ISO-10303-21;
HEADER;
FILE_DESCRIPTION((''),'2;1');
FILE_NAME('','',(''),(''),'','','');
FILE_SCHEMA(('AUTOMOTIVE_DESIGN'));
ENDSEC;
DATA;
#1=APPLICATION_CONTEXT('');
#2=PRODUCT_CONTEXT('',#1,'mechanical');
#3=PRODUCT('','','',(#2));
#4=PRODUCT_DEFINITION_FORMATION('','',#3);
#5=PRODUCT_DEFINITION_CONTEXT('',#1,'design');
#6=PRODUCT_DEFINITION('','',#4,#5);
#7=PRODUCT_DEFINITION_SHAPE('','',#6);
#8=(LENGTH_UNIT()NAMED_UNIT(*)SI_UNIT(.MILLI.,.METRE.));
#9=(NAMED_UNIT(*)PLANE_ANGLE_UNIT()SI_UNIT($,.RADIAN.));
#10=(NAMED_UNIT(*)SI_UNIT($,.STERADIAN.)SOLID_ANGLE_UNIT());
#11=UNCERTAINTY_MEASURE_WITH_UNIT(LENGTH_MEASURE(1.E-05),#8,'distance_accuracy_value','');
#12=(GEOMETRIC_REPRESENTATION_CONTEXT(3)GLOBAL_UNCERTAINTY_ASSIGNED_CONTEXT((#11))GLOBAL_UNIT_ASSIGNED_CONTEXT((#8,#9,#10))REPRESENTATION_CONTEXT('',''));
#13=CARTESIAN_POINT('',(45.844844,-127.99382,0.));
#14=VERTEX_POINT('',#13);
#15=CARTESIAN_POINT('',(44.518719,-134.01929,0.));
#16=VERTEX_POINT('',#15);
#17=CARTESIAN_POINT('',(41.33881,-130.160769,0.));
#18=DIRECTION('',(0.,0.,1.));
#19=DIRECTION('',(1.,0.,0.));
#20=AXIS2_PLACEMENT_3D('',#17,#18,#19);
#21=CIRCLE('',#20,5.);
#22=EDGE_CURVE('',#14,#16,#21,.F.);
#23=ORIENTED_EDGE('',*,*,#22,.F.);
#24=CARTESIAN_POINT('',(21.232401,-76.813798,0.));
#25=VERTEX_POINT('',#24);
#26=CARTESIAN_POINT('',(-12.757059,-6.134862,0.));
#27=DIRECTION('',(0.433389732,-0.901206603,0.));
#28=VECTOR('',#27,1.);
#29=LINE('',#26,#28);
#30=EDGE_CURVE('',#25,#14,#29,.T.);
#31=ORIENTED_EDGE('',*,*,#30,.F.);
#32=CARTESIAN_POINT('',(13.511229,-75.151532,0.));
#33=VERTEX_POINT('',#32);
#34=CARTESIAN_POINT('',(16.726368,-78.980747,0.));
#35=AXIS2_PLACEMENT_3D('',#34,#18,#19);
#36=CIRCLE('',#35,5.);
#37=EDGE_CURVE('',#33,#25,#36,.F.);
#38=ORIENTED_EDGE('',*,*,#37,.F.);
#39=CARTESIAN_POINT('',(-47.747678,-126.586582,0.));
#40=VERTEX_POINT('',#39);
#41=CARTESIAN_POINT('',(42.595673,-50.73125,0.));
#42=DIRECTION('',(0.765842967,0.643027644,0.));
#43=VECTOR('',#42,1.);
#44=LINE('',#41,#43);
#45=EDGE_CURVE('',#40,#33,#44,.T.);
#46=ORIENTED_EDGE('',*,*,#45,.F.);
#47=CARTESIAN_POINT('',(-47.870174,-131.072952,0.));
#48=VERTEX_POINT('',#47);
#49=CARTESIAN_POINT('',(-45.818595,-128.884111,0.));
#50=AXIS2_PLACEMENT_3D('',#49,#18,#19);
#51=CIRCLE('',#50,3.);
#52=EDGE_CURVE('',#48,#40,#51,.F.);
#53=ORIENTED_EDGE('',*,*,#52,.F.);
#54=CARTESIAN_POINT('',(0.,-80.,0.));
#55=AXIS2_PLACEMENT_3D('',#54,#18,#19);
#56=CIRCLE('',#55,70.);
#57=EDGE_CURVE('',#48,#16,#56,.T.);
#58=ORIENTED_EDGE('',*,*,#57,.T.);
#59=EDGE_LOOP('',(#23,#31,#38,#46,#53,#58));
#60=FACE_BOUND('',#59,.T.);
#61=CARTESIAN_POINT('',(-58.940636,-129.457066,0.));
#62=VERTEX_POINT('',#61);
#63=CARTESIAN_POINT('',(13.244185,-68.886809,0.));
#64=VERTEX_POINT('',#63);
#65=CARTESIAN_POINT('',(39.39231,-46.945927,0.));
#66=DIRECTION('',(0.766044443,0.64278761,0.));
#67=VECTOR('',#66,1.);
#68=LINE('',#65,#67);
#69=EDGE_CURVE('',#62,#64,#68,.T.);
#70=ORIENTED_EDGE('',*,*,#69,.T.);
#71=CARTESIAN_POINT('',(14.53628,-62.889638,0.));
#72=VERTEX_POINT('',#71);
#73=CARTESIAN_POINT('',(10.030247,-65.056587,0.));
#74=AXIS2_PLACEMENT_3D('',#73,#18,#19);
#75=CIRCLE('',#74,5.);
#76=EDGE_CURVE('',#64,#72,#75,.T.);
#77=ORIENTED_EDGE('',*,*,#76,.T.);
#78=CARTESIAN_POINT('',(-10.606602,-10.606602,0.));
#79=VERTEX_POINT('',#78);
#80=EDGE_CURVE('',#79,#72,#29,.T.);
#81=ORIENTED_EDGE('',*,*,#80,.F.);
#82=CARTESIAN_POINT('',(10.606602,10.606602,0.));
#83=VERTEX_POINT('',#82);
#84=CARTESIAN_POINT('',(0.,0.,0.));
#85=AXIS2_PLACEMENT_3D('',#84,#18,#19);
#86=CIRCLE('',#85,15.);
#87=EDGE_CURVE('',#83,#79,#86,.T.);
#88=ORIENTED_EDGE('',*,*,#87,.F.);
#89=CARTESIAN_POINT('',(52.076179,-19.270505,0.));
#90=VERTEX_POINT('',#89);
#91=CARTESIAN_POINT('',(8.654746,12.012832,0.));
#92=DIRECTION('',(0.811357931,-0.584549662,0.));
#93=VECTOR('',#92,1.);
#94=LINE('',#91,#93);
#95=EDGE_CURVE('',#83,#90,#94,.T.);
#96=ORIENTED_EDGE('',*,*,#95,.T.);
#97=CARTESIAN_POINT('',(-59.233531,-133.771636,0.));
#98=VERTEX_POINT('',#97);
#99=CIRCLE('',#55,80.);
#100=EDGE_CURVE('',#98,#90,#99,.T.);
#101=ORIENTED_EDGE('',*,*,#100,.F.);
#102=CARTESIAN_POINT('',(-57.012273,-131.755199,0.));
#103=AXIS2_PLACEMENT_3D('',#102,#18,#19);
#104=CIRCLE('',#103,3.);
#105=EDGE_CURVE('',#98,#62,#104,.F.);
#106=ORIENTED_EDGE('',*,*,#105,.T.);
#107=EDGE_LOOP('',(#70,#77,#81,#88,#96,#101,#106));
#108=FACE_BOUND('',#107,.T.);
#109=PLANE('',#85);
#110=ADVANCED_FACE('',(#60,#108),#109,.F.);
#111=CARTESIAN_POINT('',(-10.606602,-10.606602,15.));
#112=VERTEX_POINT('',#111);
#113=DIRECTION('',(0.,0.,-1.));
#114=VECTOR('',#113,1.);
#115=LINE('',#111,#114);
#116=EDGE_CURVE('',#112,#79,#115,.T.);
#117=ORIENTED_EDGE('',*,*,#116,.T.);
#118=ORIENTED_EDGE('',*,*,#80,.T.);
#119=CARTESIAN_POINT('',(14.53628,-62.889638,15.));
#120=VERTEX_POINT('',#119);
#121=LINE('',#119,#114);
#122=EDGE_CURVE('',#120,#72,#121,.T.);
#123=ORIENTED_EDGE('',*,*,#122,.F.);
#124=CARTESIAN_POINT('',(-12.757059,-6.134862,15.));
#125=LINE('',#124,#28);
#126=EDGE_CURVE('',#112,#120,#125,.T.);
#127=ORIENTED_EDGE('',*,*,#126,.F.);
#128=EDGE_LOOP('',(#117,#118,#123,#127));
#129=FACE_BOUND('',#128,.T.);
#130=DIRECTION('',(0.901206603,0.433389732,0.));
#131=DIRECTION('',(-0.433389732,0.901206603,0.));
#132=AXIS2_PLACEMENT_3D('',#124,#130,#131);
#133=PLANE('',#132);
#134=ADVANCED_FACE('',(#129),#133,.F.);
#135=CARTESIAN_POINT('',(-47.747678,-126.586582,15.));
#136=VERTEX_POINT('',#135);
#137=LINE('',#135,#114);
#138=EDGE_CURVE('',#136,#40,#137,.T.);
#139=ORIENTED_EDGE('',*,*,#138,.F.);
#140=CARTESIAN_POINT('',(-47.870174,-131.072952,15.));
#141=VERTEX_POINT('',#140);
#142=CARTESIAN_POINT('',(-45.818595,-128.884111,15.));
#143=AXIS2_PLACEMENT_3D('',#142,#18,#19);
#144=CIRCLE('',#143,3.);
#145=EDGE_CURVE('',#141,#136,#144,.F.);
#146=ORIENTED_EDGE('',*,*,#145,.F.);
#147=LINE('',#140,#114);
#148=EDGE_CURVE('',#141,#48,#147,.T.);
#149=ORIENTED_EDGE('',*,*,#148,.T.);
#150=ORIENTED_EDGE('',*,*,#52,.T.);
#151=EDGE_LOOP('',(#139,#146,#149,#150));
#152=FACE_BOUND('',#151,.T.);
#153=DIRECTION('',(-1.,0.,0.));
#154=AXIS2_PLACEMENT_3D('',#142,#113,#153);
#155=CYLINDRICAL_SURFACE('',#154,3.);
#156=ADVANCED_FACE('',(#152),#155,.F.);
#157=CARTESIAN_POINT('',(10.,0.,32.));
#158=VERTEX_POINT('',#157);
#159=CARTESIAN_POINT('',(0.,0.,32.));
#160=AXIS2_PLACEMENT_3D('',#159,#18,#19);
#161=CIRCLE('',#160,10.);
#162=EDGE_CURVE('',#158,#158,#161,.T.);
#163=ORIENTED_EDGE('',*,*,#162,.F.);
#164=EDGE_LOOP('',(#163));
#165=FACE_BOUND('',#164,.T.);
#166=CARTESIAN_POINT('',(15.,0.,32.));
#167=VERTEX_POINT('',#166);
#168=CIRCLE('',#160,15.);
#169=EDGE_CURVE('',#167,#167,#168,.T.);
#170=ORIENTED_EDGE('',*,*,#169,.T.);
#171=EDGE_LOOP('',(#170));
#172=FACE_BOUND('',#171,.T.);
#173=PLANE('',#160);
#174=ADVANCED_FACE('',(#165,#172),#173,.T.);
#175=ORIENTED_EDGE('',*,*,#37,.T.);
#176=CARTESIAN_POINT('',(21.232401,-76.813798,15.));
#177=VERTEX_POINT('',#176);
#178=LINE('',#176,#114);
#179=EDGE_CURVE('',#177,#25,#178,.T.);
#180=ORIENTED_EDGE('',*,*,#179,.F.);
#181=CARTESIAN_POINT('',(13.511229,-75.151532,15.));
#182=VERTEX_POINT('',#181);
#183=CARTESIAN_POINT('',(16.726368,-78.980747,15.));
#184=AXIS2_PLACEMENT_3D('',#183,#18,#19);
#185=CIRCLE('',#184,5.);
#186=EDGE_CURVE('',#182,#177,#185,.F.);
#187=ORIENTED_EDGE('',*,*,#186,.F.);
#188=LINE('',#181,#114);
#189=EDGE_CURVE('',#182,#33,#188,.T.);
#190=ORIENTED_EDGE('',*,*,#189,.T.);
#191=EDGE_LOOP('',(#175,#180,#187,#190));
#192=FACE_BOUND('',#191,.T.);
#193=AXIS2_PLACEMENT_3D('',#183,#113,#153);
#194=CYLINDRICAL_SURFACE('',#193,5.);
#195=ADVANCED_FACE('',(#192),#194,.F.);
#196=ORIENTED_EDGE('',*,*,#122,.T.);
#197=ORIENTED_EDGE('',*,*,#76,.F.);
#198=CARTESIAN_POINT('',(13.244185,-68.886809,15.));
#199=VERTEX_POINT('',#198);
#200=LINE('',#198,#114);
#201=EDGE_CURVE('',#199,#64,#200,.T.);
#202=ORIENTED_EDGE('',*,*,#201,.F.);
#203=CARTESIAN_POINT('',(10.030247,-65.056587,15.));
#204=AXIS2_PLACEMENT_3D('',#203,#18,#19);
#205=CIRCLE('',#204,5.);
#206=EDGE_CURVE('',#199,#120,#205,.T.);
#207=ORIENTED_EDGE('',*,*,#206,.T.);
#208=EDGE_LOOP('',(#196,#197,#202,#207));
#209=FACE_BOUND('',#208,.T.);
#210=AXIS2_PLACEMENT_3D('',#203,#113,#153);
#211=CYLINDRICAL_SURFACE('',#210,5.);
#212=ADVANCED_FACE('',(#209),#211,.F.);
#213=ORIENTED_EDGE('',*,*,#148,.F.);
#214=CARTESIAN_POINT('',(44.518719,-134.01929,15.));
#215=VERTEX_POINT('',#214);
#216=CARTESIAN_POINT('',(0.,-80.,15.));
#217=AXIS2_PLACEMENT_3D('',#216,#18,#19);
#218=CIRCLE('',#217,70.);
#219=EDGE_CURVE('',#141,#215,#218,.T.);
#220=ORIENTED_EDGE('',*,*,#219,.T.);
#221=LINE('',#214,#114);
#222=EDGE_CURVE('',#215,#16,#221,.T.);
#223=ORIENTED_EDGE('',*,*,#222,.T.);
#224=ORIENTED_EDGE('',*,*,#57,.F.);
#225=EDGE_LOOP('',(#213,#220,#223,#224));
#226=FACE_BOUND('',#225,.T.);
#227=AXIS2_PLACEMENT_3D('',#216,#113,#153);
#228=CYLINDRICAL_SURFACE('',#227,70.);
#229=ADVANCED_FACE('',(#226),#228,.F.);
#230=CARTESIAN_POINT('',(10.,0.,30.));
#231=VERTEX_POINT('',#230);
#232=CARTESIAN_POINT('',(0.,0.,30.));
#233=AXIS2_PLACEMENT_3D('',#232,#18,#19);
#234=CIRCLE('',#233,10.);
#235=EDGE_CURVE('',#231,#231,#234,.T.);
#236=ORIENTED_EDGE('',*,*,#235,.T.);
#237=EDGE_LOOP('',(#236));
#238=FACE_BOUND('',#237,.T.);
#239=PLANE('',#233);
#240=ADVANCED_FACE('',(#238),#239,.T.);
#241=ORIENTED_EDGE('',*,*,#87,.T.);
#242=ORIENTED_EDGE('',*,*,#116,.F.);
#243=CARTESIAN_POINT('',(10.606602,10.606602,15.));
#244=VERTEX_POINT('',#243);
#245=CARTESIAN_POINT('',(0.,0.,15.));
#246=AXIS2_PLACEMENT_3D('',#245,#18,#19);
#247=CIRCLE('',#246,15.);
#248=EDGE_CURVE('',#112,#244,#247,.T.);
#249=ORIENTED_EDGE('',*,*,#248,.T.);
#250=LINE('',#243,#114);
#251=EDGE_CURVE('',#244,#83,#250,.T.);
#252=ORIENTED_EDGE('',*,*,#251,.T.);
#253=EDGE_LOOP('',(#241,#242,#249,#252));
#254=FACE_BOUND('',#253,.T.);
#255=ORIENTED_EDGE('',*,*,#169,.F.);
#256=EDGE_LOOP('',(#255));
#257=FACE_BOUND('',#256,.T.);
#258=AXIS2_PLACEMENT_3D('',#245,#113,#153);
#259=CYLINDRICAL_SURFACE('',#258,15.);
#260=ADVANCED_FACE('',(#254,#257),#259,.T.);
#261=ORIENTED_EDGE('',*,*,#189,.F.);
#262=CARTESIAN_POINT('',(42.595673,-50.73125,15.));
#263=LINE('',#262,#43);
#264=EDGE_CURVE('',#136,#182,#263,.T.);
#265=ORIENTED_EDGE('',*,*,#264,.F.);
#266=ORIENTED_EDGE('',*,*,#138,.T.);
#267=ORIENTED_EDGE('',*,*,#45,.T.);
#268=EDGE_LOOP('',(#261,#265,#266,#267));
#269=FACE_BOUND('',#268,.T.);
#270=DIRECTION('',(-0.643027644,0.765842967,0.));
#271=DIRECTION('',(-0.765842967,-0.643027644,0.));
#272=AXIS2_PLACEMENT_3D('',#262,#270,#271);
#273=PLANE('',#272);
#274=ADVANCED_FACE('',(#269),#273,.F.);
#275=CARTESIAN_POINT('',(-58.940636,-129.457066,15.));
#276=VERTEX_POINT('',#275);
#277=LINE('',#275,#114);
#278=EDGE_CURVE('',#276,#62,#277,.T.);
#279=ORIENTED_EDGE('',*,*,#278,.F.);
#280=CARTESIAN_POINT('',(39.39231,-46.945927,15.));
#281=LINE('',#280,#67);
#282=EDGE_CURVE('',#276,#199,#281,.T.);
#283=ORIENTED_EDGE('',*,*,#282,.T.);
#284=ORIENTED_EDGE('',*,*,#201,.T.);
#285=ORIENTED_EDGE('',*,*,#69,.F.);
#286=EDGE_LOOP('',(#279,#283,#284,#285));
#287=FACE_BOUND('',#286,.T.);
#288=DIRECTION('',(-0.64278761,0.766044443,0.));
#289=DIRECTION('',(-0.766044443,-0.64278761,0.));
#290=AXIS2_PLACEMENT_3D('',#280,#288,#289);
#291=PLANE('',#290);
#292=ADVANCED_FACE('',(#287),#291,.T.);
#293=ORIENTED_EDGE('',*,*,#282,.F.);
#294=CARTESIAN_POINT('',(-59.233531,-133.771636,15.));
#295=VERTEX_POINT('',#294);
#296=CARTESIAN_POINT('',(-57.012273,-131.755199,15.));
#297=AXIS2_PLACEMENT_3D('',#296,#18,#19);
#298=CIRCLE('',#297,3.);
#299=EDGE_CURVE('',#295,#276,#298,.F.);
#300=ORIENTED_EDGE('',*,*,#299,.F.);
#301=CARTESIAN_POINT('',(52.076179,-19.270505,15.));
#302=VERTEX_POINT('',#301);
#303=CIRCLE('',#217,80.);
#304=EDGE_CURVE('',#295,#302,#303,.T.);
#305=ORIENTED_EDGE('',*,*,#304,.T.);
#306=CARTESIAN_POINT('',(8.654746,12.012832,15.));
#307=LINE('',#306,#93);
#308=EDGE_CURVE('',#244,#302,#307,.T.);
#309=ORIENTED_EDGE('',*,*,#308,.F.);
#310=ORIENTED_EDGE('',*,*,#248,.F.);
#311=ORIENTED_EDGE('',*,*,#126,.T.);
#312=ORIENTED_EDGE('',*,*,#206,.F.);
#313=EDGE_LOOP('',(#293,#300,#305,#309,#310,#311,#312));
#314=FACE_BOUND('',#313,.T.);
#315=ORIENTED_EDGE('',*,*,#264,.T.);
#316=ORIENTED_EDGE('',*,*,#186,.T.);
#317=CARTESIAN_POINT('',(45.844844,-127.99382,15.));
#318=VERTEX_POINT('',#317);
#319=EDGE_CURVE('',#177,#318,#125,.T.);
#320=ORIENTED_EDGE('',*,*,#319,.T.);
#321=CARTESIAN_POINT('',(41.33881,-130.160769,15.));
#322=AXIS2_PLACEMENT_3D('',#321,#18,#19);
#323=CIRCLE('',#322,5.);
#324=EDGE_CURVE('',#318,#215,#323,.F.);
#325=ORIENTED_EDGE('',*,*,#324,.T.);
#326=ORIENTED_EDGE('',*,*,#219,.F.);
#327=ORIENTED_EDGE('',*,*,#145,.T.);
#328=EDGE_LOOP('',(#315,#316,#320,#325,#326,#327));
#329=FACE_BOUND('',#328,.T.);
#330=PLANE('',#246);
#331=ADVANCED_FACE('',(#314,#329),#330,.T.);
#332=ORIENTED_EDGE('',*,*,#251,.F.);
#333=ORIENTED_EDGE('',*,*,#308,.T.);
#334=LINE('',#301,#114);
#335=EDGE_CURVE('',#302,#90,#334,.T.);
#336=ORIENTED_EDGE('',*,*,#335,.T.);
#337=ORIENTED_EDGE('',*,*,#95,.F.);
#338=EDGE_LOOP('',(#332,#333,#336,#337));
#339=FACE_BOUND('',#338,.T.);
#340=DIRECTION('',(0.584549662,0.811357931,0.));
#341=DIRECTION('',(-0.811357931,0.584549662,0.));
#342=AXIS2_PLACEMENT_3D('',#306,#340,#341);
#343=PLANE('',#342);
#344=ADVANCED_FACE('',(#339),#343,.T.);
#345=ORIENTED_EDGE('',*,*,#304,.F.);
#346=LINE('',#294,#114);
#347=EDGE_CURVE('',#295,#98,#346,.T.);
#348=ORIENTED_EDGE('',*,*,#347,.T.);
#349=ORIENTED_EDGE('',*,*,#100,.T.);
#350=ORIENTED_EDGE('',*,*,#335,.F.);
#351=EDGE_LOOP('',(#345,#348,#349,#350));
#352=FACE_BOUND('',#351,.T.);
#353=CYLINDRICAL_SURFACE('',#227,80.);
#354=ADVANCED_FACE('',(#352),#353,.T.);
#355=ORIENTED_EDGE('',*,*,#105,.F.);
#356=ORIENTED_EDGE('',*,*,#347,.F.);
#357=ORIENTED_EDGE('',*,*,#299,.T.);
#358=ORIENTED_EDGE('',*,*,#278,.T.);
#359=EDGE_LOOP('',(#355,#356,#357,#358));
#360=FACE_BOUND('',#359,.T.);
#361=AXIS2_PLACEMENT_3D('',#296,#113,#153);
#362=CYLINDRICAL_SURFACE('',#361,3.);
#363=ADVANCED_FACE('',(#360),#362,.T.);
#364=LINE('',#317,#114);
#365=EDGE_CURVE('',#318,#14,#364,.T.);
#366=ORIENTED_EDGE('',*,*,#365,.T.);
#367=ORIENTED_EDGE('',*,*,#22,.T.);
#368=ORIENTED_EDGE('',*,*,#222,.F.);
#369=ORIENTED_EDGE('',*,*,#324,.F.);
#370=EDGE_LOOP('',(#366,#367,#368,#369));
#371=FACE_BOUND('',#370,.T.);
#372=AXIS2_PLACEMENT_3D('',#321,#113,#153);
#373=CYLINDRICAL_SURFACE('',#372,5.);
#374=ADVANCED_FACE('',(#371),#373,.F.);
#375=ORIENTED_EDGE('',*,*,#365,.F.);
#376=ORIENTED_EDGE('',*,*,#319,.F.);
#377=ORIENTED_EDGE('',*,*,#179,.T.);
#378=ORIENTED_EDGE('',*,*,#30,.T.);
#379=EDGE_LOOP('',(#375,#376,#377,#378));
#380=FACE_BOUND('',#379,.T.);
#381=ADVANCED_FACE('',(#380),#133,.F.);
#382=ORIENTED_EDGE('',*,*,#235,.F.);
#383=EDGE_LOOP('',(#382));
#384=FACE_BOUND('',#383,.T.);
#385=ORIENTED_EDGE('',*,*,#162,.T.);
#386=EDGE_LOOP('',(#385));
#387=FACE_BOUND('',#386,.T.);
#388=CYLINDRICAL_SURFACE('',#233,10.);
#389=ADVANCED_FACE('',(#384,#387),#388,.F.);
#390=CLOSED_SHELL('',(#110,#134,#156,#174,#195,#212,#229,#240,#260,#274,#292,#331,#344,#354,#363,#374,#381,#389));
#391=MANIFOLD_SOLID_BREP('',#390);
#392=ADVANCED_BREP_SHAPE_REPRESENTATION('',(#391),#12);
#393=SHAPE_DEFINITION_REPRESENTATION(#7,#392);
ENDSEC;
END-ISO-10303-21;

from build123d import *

# Parameters (mm, degrees)
EXTRUDE_1_DEPTH     = 15
SKETCH_5_R          = 15
EXTRUDE_2_DEPTH     = 17
SKETCH_7_R          = 10
CUT_EXTRUDE_1_DEPTH = 2


with BuildPart() as part:
    # ｽｹｯﾁ4 → ﾎﾞｽ - 押し出し1 (new body)
    with BuildSketch(Plane.XY):
        with BuildLine():
            Line((-53.623111018, -124.995132678), (-58.940636287, -129.45706617))
            ThreePointArc((-58.940636287, -129.45706617), (-60.005384698, -131.552012131), (-59.233530865, -133.771635843))
            ThreePointArc((-59.233530865, -133.771635843), (57.362306223, -135.763481103), (52.076178918, -19.270504783))
            Line((52.076178918, -19.270504783), (10.606601718, 10.606601718))
            ThreePointArc((10.606601718, 10.606601718), (-10.606601718, 10.606601718), (-10.606601718, -10.606601718))
            Line((-10.606601718, -10.606601718), (14.536280154, -62.889638219))
            ThreePointArc((14.536280154, -62.889638219), (14.918089499, -66.109676181), (13.244185189, -68.886809092))
            Line((13.244185189, -68.886809092), (-53.623111018, -124.995132678))
        make_face()
        with BuildLine():
            Line((21.232400696, -76.813798404), (45.844843506, -127.993820346))
            ThreePointArc((45.844843506, -127.993820346), (46.221944165, -131.235480845), (44.518718993, -134.019289696))
            ThreePointArc((44.518718993, -134.019289696), (-2.231208213, -149.964431749), (-47.870174388, -131.072951785))
            ThreePointArc((-47.870174388, -131.072951785), (-48.817477846, -128.802229421), (-47.747678417, -126.586582094))
            Line((-47.747678417, -126.586582094), (13.511229465, -75.151532228))
            ThreePointArc((13.511229465, -75.151532228), (17.77869109, -74.092739753), (21.232400696, -76.813798404))
        make_face(mode=Mode.SUBTRACT)
    extrude(amount=EXTRUDE_1_DEPTH)

    # ｽｹｯﾁ5 → ﾎﾞｽ - 押し出し2 (add)
    with BuildSketch(Plane.XY.offset(15)):
        with Locations(Location((0, 0, 0), (0, 0, 225))):
            Circle(SKETCH_5_R)
    extrude(amount=EXTRUDE_2_DEPTH)

    # ｽｹｯﾁ7 → ｶｯﾄ - 押し出し1 (cut)
    with BuildSketch(Plane.XY.offset(32)):
        Circle(SKETCH_7_R)
    extrude(amount=-CUT_EXTRUDE_1_DEPTH, mode=Mode.SUBTRACT)


solid = part.part
